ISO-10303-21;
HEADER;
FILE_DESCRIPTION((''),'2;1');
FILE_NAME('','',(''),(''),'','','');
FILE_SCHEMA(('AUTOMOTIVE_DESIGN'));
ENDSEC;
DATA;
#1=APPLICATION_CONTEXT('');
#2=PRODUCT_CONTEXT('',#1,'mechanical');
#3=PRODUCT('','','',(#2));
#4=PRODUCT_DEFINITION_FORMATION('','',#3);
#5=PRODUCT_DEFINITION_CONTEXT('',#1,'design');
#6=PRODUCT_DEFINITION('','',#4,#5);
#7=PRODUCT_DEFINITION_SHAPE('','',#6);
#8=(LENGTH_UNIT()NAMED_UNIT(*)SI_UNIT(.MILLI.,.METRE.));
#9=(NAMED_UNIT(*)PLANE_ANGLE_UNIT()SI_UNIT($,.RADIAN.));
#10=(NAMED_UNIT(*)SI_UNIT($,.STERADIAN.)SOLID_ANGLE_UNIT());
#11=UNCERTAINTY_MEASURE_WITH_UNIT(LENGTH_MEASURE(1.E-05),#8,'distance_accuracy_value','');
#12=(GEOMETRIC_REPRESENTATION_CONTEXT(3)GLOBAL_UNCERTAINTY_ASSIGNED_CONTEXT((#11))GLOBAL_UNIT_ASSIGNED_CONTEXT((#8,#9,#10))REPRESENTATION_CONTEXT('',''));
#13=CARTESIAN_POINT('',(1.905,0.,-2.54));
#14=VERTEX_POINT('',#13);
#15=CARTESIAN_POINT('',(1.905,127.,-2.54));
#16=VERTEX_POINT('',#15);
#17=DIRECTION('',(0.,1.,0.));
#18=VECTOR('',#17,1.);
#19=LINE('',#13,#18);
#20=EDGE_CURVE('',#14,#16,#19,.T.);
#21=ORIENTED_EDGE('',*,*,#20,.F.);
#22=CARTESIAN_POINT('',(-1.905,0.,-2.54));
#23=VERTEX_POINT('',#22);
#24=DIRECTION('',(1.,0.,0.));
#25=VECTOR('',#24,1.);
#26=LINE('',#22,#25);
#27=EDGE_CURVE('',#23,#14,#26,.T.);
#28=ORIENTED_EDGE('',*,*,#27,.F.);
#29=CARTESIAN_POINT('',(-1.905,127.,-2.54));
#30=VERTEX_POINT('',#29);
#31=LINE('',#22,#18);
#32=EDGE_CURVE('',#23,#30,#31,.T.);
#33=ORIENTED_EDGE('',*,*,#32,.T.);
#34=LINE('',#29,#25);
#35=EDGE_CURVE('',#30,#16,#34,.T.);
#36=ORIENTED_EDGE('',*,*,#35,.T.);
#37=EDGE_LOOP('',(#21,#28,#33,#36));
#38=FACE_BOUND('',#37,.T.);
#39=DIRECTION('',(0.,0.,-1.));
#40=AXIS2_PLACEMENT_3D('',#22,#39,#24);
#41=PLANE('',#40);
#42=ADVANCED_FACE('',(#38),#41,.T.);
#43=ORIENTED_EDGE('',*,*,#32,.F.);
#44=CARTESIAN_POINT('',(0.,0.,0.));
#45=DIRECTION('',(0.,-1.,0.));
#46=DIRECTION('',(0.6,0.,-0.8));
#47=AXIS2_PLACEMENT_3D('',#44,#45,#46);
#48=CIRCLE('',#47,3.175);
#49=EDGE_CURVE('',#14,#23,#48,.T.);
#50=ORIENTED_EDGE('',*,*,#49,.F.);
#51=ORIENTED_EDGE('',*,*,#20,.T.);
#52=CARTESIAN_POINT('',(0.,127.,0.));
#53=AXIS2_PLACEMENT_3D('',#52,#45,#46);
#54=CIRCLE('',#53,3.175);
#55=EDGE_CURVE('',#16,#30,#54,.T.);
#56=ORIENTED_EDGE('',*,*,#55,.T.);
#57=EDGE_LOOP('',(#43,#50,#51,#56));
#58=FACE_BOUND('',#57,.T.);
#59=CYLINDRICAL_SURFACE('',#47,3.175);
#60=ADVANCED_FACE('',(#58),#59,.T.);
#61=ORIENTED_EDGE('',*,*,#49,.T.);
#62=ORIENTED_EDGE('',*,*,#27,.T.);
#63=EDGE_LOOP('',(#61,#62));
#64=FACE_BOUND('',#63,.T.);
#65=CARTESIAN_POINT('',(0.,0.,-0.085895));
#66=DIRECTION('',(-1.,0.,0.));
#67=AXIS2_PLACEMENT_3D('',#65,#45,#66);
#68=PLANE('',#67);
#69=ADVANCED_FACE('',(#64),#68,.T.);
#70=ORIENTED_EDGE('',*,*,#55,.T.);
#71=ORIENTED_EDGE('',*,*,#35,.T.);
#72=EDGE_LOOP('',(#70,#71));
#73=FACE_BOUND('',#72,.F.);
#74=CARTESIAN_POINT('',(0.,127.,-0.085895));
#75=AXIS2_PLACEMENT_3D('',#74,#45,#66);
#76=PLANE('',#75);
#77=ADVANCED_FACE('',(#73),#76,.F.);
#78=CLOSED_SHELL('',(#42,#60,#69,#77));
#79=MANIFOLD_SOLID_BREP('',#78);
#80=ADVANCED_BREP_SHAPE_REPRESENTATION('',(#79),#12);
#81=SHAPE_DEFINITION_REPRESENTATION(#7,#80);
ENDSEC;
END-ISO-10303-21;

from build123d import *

# Parameters (mm, degrees)
BOSS_EXTRUDE1_DEPTH = 127


with BuildPart() as part:
    # Sketch1 → Boss-Extrude1 (new body)
    with BuildSketch(Plane(origin=(0, 0, 0), x_dir=(1, 0, 0), z_dir=(0, 1, 0))):
        with BuildLine():
            Line((-1.905, 2.54), (1.905, 2.54))
            ThreePointArc((1.905, 2.54), (0, -3.175), (-1.905, 2.54))
        make_face()
    extrude(amount=BOSS_EXTRUDE1_DEPTH)


solid = part.part
